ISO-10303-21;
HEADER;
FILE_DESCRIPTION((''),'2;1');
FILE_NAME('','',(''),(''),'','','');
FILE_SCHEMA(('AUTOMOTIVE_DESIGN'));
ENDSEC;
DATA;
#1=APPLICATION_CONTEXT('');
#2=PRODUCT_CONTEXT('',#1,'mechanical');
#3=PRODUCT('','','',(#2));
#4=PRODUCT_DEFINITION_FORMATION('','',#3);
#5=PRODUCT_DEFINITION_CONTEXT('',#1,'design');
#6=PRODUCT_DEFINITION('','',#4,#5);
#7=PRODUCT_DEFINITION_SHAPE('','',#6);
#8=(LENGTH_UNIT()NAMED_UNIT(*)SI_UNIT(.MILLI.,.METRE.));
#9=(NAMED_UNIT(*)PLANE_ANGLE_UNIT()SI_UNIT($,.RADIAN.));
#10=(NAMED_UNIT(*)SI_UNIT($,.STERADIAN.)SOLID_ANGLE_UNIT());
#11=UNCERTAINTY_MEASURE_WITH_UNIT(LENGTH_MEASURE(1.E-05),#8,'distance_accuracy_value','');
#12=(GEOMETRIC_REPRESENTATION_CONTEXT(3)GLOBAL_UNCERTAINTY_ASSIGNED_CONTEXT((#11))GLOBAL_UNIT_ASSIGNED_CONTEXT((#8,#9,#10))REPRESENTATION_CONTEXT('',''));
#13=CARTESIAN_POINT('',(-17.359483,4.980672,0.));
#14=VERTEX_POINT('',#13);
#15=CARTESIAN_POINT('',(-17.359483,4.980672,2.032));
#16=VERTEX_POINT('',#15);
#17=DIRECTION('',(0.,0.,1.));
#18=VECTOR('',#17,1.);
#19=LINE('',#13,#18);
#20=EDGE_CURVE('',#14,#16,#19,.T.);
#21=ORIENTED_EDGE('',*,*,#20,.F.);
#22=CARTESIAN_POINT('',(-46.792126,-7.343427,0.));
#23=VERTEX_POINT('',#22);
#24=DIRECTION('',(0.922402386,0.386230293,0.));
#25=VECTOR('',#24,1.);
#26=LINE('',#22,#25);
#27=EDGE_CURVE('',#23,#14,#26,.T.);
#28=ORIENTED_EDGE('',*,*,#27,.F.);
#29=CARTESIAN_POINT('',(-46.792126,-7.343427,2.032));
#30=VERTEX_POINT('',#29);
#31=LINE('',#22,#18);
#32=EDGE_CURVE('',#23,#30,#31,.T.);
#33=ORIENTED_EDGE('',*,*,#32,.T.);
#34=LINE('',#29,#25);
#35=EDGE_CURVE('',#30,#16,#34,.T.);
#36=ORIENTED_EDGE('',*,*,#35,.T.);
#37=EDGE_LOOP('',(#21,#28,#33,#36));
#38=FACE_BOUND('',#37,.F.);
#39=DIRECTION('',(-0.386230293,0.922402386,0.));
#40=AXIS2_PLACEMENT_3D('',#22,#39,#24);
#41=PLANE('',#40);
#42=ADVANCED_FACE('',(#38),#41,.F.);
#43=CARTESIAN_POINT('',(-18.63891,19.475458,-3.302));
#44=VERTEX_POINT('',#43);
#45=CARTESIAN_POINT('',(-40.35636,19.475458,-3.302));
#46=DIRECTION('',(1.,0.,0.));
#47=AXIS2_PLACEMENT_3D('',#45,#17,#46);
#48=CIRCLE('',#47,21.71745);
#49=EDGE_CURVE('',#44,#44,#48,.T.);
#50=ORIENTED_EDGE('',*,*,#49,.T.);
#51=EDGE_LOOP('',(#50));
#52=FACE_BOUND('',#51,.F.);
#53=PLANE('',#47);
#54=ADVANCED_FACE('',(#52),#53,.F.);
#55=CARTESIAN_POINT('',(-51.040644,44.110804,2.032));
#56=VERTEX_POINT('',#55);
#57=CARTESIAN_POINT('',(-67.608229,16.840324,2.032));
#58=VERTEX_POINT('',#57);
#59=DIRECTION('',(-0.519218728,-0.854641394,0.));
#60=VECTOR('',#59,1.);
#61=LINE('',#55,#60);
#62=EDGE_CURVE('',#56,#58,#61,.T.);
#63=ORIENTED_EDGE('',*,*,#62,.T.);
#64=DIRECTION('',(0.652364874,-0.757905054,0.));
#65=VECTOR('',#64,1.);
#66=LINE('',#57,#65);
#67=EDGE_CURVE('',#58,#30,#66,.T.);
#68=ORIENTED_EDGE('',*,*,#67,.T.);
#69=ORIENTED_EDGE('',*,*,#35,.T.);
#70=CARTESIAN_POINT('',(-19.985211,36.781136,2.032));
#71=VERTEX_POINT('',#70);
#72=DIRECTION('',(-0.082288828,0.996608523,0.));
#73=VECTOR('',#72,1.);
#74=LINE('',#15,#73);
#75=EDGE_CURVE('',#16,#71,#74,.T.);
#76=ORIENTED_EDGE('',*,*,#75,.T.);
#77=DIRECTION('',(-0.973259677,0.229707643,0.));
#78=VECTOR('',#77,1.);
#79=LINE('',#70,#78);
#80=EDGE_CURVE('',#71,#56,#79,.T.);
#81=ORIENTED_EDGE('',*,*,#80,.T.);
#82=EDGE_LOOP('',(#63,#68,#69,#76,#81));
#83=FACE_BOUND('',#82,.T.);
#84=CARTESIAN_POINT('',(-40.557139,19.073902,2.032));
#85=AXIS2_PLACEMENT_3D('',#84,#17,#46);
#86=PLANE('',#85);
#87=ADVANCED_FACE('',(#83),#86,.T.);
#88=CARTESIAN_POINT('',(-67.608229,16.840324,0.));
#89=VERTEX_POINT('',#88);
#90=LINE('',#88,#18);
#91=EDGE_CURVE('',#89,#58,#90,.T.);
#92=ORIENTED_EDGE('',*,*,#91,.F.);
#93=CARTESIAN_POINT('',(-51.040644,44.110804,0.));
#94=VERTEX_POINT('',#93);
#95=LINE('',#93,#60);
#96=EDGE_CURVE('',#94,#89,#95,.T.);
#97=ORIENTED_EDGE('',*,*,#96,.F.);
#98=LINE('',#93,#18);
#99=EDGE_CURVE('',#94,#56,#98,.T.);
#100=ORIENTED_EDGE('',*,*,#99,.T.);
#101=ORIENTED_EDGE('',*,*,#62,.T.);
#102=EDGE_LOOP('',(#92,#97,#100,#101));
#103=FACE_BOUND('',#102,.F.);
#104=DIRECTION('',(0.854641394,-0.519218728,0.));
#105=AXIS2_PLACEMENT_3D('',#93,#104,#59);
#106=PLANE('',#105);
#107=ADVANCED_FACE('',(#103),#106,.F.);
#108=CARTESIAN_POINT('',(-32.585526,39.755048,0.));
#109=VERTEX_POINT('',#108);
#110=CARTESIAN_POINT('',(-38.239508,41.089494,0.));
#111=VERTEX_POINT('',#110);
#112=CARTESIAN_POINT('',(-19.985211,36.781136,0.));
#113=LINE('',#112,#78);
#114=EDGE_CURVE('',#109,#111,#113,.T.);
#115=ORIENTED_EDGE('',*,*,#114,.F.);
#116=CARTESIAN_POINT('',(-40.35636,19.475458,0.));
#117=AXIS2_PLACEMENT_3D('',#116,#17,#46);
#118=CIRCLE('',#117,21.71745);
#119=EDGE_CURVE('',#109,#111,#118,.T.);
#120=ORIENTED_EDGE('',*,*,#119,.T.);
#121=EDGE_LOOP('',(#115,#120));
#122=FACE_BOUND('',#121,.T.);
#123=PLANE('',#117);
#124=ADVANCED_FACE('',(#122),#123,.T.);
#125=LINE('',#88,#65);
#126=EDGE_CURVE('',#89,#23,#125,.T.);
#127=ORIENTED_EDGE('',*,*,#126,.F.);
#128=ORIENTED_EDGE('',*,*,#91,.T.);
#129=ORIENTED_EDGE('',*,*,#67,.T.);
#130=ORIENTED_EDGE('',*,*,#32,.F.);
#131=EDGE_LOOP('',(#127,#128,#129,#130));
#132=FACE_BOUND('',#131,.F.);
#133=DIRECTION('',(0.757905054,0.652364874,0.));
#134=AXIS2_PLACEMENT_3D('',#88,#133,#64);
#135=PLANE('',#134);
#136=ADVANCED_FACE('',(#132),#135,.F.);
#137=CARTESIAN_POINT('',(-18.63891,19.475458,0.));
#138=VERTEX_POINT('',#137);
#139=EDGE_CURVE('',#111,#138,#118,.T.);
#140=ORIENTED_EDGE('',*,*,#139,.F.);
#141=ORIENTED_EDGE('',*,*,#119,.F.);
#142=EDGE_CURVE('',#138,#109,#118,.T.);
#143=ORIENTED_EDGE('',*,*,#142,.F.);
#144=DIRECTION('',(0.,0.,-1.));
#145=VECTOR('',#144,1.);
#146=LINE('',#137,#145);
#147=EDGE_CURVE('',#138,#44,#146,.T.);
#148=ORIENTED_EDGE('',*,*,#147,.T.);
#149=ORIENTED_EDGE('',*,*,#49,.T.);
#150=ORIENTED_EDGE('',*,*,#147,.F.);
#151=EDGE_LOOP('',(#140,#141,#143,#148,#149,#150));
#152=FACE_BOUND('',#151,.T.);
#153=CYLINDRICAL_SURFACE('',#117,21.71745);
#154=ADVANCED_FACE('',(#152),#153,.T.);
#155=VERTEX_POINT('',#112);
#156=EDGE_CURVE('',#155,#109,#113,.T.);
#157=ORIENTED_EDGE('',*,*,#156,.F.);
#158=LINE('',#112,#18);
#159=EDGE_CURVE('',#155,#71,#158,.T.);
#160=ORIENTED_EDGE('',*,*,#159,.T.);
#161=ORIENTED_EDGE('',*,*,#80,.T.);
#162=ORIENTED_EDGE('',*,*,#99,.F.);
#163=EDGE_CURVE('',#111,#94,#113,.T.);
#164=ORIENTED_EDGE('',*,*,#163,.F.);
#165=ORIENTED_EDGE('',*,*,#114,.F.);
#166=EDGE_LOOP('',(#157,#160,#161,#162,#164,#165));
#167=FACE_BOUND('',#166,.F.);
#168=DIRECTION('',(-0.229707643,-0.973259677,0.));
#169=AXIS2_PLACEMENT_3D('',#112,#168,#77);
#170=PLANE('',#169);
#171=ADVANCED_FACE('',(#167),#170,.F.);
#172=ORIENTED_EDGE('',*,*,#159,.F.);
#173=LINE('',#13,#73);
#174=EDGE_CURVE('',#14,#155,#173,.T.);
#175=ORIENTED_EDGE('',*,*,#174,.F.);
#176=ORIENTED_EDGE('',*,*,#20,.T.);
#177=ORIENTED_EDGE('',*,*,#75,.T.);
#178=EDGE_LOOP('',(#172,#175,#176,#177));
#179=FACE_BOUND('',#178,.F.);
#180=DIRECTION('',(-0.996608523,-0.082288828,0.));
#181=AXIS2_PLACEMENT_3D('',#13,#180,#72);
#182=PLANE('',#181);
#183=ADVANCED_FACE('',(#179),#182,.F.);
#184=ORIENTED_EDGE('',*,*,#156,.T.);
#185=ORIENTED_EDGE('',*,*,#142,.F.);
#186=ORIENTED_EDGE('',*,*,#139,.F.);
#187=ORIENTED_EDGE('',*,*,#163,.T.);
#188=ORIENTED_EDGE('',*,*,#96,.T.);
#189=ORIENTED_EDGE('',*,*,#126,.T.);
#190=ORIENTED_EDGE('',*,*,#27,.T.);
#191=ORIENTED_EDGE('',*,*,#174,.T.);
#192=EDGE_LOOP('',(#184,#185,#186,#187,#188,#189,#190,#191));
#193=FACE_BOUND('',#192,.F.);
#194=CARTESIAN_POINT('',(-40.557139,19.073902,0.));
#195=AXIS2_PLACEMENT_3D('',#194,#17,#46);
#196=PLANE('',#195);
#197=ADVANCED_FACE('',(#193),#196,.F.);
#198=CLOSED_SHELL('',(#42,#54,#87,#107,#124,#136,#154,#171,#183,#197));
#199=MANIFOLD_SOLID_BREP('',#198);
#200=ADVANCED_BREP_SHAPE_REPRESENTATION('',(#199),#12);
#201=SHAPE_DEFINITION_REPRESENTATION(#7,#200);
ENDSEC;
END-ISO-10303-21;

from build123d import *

# Parameters (mm, degrees)
F2_DEPTH = 2.032
F1_R     = 21.71745
F3_DEPTH = 3.302


with BuildPart() as f2:
    # F0 (on Top) → F2 (new body)
    with BuildSketch(Plane.XY):
        Polygon((-17.359483, 4.980672), (-19.985211, 36.781136), (-51.040644, 44.110804), (-67.608229, 16.840324), (-46.792126, -7.343427), align=None)
    extrude(amount=F2_DEPTH)

    # F1 (on Top) → F3 (join)
    with BuildSketch(Plane.XY):
        with Locations((-40.35636, 19.475458)):
            Circle(F1_R)
    extrude(amount=-F3_DEPTH)


solid = f2.part
